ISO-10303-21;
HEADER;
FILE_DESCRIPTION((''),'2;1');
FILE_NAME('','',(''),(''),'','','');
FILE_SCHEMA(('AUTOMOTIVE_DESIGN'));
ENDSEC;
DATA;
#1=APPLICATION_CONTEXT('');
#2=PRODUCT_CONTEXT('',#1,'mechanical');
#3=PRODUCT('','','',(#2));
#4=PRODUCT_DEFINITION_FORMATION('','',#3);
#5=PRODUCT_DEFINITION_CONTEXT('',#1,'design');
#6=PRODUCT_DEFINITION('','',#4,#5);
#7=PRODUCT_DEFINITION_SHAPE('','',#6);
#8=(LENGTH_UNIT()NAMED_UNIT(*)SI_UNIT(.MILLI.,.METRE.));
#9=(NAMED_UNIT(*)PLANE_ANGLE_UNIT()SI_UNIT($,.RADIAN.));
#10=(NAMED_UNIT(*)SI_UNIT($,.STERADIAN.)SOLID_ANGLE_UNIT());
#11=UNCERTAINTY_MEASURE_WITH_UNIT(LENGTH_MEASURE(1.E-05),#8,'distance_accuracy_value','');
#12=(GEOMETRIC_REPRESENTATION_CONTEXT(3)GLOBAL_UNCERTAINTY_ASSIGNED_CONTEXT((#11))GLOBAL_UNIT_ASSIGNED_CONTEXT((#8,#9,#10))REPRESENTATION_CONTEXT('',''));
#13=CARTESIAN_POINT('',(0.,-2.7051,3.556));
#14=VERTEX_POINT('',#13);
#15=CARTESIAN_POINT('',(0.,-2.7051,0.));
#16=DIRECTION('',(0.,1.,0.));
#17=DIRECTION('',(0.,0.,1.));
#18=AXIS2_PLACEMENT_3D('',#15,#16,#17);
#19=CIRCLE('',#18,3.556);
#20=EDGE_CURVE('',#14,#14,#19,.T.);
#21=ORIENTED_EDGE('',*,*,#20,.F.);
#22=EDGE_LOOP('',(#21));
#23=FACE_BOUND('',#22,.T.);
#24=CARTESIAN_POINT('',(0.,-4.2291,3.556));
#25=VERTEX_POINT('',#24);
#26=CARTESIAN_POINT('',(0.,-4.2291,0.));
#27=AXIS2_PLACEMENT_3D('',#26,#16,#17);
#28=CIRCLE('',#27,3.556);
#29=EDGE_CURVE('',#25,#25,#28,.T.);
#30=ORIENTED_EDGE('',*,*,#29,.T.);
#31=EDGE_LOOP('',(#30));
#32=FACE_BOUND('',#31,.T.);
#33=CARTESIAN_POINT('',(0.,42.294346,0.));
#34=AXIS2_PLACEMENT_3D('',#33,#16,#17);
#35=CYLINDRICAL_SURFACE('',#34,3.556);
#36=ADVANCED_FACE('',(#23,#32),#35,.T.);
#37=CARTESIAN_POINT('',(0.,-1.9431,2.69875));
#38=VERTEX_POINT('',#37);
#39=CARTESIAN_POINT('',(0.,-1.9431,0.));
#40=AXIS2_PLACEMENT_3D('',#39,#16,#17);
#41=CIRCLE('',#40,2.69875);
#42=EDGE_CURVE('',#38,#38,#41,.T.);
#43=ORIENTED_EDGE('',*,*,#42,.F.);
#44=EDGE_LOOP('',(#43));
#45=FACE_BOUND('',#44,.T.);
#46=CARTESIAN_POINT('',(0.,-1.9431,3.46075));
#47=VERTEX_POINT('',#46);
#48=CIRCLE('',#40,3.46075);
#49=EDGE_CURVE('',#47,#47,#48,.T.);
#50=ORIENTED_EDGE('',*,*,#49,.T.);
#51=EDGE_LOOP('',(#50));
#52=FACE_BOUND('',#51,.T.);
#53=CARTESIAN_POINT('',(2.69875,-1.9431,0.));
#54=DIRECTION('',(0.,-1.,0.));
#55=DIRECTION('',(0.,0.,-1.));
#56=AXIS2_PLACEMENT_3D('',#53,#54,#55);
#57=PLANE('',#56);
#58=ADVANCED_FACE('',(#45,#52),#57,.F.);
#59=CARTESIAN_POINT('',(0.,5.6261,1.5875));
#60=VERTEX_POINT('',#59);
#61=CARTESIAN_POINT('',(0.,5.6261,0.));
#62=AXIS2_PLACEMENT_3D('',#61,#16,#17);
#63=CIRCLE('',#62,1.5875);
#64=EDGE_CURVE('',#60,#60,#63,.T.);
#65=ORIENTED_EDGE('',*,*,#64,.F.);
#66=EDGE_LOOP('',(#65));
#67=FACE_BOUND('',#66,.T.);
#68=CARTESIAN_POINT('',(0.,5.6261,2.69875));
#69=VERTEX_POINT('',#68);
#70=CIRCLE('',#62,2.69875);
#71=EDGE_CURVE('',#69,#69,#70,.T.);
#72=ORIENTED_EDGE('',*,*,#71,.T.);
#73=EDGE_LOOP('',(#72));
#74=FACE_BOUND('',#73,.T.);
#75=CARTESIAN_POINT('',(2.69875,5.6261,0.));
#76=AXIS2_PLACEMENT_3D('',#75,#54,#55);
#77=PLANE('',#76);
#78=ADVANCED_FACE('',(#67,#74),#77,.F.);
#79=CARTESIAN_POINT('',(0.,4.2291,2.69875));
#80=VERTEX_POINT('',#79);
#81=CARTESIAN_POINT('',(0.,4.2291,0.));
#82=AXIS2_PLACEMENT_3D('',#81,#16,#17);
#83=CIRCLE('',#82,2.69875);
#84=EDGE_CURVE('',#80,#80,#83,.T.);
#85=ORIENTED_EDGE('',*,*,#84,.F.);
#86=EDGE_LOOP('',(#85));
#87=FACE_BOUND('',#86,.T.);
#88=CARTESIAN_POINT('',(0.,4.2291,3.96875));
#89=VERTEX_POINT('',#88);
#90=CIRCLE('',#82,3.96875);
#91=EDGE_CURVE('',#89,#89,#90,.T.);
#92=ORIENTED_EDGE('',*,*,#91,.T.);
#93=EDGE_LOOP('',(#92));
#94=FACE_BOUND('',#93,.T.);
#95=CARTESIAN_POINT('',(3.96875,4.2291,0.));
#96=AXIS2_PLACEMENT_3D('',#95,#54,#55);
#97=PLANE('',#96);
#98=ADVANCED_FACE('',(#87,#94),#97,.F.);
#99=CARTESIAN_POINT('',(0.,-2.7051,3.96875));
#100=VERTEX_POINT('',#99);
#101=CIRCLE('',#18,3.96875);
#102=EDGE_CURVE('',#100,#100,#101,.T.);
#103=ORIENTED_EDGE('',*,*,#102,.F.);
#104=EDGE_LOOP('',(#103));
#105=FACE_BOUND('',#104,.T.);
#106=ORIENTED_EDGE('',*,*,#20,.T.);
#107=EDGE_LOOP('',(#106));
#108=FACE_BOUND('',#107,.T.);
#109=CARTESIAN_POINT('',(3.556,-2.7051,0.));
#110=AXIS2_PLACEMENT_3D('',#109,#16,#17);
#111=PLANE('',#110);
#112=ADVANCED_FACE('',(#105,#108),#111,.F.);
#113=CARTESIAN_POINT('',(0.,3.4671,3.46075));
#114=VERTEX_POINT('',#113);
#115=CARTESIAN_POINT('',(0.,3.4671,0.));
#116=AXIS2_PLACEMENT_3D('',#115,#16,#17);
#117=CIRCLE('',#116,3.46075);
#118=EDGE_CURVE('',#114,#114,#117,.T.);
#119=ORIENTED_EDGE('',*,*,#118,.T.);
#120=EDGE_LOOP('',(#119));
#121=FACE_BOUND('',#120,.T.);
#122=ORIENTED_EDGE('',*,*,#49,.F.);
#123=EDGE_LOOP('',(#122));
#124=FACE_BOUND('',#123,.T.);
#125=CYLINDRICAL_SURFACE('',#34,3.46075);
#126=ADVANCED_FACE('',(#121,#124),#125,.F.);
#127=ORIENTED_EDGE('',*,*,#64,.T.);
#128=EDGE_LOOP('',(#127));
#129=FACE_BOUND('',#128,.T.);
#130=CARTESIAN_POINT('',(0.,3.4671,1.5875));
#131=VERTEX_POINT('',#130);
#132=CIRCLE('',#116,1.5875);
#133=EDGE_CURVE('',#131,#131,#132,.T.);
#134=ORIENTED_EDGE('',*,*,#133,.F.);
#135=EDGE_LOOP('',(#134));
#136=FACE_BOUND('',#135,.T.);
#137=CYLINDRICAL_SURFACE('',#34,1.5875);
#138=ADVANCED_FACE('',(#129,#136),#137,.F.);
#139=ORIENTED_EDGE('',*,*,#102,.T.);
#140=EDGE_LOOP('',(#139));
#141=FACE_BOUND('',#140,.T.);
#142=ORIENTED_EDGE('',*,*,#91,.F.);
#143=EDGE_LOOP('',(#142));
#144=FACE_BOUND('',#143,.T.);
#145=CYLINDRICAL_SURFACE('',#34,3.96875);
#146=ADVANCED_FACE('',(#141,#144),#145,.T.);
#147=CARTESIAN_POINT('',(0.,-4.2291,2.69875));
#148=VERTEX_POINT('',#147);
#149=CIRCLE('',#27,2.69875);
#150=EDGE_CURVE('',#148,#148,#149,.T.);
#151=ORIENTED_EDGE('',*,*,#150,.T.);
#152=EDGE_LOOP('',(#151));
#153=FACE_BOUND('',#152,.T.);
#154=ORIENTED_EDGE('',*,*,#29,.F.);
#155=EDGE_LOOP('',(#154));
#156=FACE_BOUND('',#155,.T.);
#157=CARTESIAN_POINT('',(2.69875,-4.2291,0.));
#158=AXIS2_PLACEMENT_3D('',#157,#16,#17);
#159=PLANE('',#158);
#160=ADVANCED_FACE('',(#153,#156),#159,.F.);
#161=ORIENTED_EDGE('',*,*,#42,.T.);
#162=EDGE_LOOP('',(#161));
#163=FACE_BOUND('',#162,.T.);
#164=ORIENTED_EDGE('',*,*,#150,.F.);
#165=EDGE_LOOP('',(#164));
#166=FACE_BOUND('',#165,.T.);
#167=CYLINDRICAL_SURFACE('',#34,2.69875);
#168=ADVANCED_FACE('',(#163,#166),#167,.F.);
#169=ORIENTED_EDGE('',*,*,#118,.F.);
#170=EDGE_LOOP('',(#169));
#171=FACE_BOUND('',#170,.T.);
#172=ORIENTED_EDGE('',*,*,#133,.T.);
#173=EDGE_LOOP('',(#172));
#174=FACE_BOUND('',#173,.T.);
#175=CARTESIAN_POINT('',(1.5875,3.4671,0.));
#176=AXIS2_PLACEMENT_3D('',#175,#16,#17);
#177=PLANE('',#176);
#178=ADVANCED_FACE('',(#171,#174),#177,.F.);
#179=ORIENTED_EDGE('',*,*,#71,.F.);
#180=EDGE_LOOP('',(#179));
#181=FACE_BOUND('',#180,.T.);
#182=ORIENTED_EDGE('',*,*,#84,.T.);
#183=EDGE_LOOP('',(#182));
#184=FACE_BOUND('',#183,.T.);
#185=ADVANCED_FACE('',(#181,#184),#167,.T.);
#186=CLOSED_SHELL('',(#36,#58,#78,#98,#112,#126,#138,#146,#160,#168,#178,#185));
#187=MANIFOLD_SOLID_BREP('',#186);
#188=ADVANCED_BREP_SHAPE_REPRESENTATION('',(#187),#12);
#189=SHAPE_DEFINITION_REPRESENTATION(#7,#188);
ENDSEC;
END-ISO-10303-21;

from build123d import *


with BuildPart() as part:
    # Sketch1 → Revolve1 (revolve)
    with BuildSketch(Plane.XY):
        Polygon((2.69875, -4.2291), (2.69875, -1.9431), (3.46075, -1.9431), (3.46075, 3.4671), (1.5875, 3.4671), (1.5875, 5.6261), (2.69875, 5.6261), (2.69875, 4.2291), (3.96875, 4.2291), (3.96875, -2.7051), (3.556, -2.7051), (3.556, -4.2291), align=None)
    revolve(axis=Axis((0, 42.294346237, 0), (0, -1, 0)))


solid = part.part
